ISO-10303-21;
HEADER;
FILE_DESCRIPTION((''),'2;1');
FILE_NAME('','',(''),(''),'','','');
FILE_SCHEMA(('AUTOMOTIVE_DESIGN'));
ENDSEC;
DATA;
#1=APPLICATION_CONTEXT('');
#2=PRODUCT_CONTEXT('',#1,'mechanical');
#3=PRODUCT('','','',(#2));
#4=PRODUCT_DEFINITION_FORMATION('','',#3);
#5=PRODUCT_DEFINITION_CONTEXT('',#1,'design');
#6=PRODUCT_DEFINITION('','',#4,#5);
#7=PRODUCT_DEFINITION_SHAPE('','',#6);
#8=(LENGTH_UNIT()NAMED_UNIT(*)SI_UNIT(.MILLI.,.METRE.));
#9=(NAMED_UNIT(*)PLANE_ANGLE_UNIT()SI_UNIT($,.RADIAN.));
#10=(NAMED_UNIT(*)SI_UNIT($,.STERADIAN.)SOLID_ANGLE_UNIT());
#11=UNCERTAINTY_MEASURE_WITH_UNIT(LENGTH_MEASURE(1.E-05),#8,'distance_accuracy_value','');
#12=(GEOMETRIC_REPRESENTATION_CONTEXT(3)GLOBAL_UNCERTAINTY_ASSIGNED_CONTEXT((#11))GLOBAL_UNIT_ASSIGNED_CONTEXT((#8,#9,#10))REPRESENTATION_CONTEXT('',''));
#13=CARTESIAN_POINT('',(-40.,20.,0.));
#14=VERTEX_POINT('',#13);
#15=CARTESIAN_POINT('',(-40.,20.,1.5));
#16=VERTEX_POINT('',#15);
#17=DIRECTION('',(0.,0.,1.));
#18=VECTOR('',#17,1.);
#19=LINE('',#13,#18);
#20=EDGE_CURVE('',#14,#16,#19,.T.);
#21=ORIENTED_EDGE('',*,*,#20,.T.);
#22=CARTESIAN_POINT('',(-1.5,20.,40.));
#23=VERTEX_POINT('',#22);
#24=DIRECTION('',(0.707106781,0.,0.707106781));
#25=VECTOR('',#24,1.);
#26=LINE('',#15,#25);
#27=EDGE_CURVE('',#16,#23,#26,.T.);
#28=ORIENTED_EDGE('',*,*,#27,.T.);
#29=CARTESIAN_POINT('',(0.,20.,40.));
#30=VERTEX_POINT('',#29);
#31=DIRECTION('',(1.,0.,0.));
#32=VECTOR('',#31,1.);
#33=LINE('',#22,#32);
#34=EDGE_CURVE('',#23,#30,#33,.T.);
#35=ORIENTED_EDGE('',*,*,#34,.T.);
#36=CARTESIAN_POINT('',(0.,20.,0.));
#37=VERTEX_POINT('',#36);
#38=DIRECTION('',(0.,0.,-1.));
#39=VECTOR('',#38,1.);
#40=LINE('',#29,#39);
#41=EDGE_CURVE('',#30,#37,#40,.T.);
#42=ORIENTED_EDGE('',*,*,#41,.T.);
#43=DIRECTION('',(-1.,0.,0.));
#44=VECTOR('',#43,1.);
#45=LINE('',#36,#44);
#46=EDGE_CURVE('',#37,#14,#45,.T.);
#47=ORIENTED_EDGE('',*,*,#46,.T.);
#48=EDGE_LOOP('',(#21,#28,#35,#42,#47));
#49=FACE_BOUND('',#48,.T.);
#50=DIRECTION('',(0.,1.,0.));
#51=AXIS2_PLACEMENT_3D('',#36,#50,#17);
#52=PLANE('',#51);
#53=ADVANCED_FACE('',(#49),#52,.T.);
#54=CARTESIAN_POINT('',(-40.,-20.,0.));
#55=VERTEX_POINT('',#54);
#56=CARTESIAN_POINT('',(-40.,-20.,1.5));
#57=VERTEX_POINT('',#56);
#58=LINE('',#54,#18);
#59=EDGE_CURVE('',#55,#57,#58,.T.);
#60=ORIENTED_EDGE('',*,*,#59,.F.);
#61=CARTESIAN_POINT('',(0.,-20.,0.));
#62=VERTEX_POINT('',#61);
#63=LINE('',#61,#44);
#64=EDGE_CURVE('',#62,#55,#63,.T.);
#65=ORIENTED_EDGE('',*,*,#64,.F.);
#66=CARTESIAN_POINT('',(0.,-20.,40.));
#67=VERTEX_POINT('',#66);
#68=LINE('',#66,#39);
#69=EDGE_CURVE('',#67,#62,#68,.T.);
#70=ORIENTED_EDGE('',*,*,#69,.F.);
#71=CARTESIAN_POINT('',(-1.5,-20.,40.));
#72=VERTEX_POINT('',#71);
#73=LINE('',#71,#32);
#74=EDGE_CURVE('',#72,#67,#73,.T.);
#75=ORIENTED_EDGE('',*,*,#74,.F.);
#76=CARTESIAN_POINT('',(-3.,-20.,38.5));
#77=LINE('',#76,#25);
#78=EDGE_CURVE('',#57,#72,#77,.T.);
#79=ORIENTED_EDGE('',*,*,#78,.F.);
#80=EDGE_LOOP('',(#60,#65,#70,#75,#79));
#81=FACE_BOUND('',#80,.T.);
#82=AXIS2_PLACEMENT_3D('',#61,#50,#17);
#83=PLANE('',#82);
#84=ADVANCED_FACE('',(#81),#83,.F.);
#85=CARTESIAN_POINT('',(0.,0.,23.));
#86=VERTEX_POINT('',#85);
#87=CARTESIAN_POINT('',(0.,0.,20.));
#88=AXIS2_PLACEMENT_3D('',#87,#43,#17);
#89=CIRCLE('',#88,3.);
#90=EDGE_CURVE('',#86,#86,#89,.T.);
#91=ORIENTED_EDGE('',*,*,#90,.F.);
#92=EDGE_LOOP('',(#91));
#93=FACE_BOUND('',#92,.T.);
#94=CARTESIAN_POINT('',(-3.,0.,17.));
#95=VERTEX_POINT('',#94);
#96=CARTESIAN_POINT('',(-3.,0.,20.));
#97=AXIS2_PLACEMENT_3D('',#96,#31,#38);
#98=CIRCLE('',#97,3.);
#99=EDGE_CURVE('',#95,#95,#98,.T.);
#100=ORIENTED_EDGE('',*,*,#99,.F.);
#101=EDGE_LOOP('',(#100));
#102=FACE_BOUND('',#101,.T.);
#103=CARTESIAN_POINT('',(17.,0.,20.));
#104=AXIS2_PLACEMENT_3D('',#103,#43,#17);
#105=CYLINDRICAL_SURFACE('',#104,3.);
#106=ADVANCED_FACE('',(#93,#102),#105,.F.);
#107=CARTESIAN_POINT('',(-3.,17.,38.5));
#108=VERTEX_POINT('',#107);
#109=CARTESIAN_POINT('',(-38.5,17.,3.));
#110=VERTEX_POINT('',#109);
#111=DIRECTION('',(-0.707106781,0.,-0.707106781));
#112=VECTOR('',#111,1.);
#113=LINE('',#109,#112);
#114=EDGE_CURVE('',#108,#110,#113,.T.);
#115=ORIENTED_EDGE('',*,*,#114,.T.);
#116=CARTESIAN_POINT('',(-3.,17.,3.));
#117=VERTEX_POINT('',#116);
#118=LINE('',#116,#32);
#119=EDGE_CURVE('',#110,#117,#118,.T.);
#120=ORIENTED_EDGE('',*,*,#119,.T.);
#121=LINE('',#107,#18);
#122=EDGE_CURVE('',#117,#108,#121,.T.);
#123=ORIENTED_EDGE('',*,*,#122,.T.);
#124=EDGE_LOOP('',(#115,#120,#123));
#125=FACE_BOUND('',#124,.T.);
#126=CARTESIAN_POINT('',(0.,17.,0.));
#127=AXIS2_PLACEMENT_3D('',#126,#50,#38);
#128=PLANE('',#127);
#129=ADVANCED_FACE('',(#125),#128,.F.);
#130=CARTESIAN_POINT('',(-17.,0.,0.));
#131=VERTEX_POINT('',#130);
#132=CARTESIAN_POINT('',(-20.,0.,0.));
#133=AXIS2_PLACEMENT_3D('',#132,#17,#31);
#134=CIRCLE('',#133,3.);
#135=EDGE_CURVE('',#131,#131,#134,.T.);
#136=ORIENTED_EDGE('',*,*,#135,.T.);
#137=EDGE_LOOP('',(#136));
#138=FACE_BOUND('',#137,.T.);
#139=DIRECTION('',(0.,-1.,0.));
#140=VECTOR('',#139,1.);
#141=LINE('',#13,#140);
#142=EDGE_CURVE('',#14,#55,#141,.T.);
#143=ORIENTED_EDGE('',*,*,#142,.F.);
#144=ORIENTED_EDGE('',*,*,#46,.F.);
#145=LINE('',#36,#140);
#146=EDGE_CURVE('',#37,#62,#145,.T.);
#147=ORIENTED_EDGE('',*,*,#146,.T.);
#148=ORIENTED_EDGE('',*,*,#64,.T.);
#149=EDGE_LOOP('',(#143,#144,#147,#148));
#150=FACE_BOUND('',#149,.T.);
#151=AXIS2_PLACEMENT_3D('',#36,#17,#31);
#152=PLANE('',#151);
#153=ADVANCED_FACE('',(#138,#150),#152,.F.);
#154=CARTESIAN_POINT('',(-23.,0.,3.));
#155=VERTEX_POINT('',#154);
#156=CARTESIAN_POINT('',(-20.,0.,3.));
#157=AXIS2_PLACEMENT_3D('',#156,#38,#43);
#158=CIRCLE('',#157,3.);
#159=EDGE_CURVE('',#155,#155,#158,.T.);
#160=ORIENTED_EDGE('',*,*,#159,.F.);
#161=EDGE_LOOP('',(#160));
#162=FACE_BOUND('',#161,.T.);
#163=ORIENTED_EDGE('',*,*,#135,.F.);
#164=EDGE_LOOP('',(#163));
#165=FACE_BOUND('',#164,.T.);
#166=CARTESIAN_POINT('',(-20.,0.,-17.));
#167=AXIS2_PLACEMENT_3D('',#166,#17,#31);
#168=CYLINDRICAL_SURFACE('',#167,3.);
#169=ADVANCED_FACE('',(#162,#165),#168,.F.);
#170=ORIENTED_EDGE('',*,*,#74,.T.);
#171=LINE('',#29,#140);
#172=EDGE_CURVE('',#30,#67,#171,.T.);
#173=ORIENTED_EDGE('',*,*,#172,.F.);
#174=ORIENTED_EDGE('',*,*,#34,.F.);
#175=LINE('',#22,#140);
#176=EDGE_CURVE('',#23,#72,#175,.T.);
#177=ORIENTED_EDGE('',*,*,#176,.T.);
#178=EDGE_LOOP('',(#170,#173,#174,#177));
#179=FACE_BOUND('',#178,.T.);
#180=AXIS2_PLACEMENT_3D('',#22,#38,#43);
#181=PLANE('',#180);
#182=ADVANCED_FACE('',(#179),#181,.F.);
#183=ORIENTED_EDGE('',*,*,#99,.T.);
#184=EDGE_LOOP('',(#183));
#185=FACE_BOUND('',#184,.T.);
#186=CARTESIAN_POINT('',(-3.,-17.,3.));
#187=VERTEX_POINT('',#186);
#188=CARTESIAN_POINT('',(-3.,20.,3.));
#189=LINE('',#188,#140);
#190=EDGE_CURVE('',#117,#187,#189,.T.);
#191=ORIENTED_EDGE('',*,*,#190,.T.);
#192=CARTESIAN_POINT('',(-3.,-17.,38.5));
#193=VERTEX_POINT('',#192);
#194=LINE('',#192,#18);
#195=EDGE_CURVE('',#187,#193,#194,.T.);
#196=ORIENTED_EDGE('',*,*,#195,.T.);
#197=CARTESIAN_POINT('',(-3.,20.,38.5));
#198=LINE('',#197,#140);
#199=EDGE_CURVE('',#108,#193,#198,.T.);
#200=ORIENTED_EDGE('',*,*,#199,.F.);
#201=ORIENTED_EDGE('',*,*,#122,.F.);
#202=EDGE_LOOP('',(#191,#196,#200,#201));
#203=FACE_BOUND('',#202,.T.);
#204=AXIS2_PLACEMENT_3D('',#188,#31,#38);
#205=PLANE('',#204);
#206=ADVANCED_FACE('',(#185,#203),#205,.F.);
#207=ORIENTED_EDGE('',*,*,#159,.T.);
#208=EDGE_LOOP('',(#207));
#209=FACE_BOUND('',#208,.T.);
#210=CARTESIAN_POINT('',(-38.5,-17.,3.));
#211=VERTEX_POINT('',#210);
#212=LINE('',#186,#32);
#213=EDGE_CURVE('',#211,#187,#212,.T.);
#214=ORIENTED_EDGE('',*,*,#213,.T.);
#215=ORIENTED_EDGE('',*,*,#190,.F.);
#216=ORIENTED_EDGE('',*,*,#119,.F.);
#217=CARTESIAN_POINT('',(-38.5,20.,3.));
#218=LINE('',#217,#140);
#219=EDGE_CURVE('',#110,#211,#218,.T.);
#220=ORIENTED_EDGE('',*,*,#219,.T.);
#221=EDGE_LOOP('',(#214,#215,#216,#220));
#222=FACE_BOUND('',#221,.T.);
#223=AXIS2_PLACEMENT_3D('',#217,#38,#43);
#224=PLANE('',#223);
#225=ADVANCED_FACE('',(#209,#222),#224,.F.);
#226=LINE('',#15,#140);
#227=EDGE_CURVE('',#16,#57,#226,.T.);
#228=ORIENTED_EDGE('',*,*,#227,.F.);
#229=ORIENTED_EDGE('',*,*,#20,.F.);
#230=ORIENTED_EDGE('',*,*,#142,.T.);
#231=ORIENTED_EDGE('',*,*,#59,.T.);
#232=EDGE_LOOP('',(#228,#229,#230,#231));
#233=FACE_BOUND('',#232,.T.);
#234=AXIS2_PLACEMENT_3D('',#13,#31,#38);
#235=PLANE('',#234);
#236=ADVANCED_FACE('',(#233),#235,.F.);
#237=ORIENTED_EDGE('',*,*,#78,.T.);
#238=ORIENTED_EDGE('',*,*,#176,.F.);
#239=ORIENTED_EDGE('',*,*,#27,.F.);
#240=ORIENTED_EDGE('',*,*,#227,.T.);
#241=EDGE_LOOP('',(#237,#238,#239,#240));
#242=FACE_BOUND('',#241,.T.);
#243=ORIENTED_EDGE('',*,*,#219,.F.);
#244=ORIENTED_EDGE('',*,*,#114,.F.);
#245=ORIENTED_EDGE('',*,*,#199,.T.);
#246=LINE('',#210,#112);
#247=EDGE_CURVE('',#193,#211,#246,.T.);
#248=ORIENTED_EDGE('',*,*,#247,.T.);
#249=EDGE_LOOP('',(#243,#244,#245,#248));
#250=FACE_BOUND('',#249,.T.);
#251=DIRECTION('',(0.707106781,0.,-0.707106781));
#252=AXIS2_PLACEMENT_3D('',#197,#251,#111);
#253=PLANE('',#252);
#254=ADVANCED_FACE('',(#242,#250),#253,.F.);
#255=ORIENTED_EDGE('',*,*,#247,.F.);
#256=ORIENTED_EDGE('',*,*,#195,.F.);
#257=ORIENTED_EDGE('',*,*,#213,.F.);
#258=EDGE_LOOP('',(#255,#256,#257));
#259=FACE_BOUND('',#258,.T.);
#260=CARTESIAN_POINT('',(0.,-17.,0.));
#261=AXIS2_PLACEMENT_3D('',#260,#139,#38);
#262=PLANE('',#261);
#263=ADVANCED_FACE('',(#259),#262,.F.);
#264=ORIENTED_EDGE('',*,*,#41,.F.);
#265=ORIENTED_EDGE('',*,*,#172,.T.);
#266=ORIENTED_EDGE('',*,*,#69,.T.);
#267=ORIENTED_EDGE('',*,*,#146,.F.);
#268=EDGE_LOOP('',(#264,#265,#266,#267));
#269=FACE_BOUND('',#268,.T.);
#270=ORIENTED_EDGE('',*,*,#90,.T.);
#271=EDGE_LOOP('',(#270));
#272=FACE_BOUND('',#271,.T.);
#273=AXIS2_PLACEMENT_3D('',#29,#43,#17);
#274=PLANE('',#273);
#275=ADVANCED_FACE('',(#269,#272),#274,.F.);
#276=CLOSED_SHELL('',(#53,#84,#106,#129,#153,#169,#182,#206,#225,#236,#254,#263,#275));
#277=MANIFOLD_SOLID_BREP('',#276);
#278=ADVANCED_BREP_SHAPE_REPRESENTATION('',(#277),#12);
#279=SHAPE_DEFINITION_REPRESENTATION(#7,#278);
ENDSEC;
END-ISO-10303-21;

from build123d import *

# Parameters (mm, degrees)
BOSS_EXTRUDE1_DEPTH = 20
SKETCH3_R           = 3
CUT_EXTRUDE1_DEPTH  = 20
SKETCH4_R           = 3
CUT_EXTRUDE2_DEPTH  = 20
BOSS_EXTRUDE2_DEPTH = 3


with BuildPart() as part:
    # Sketch2 → Boss-Extrude1 (new body, symmetric)
    with BuildSketch(Plane(origin=(0, 0, 0), x_dir=(1, 0, 0), z_dir=(0, 1, 0))):
        Polygon((0, 0), (-40, 0), (-40, -1.5), (-38.5, -3), (-3, -3), (-3, -38.5), (-1.5, -40), (0, -40), align=None)
    extrude(amount=BOSS_EXTRUDE1_DEPTH, both=True)

    # Sketch3 → Cut-Extrude1 (cut, symmetric)
    with BuildSketch(Plane.XY.offset(3)):
        with Locations((-20, 0)):
            Circle(SKETCH3_R)
    extrude(amount=CUT_EXTRUDE1_DEPTH, both=True, mode=Mode.SUBTRACT)

    # Sketch4 → Cut-Extrude2 (cut, symmetric)
    with BuildSketch(Plane.ZY.offset(3)):
        with Locations((20, 0)):
            Circle(SKETCH4_R)
    extrude(amount=CUT_EXTRUDE2_DEPTH, both=True, mode=Mode.SUBTRACT)

    # Sketch5 → Boss-Extrude2 (add)
    with BuildSketch(Plane.XZ.offset(20)):
        Polygon((-38.5, 3), (-3, 38.5), (-3, 3), align=None)
    boss_extrude2 = extrude(amount=-BOSS_EXTRUDE2_DEPTH)

    # Mirror1: Boss-Extrude2 across plane
    add(boss_extrude2.mirror(Plane.ZX))


solid = part.part
